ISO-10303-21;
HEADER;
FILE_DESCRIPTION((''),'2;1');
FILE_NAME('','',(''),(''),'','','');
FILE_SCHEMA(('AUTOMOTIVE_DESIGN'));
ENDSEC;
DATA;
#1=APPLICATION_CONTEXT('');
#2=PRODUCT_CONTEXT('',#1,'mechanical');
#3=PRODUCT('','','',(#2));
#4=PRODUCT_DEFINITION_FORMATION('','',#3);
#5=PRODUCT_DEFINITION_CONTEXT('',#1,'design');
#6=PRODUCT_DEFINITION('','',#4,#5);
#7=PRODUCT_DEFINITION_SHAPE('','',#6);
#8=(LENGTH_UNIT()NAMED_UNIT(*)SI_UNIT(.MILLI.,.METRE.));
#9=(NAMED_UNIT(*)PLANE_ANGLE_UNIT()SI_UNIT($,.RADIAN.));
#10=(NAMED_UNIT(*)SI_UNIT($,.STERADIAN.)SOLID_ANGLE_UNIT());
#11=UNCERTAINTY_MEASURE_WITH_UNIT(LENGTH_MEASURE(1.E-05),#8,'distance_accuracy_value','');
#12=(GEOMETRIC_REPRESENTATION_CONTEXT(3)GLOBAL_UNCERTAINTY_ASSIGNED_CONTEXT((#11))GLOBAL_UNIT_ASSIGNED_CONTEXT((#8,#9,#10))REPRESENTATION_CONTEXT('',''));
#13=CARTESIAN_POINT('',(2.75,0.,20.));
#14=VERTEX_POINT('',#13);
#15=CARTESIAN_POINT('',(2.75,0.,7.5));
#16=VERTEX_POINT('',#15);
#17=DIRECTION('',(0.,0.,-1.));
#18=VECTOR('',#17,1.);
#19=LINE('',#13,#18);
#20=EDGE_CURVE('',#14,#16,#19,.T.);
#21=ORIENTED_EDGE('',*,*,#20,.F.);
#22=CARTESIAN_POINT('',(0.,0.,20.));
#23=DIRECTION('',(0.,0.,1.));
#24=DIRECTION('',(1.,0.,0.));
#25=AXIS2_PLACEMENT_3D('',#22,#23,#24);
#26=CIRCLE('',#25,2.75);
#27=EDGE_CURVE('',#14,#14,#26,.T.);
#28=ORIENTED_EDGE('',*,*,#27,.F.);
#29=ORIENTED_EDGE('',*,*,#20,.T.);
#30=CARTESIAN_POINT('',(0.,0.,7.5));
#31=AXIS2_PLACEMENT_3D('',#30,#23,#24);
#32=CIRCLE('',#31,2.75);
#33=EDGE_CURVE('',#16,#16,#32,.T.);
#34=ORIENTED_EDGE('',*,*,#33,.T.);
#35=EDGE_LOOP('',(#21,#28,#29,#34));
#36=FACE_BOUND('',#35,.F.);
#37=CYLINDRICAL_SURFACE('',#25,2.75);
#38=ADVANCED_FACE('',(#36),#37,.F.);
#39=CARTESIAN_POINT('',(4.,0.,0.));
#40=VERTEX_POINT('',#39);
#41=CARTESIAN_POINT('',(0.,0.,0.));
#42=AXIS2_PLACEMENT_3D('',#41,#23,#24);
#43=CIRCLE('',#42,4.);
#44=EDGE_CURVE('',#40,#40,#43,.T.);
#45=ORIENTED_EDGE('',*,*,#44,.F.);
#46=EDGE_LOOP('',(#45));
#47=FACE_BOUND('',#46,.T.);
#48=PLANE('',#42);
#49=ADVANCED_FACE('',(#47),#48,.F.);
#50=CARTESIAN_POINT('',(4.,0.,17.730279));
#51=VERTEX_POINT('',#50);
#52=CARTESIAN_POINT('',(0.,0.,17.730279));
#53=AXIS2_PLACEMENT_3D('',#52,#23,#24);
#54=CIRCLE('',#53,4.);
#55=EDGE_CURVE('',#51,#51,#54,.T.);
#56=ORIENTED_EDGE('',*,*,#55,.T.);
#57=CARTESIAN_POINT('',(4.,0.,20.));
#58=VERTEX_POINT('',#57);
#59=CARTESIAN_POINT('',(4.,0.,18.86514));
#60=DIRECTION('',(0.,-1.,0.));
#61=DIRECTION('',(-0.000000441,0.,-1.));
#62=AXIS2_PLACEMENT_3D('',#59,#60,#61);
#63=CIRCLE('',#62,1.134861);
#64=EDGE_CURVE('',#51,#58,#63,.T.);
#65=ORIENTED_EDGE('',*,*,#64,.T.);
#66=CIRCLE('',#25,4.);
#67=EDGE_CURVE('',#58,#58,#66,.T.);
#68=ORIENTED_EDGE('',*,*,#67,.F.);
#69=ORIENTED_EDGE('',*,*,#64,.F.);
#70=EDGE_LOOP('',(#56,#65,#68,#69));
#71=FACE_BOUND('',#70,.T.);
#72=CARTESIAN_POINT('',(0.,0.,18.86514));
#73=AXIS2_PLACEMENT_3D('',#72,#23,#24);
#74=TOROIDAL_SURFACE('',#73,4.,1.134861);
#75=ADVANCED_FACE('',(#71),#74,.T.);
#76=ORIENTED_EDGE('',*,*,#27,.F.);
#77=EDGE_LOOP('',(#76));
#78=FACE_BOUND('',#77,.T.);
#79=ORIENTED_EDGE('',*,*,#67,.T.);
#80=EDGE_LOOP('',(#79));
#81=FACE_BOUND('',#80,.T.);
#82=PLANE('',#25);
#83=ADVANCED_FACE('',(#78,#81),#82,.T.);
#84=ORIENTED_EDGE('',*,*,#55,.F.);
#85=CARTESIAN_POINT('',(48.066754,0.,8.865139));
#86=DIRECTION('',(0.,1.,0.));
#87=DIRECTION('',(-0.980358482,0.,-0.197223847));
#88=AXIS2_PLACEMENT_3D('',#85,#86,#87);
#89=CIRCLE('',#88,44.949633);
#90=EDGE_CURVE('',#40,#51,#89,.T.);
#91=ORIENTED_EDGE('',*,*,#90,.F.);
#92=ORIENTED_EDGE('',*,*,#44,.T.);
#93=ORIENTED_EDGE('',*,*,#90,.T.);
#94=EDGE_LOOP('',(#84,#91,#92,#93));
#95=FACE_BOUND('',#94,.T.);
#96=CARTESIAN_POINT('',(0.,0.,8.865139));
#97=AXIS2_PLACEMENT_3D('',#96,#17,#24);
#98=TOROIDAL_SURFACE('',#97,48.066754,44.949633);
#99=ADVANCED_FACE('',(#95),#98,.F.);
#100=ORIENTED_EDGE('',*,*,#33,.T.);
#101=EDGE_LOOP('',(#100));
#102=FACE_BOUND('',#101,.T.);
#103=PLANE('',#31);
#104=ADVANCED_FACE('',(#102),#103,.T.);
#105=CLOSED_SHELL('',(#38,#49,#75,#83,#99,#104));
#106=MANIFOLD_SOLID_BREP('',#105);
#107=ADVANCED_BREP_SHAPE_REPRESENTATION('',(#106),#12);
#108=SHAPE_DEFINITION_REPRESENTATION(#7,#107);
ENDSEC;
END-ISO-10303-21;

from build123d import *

# Parameters (mm, degrees)
F2_R     = 2.75
F3_DEPTH = 12.5


with BuildPart() as f1:
    # F0 (on Front) → F1 (revolve)
    with BuildSketch(Plane.XZ):
        with BuildLine():
            Line((0, 20), (0, 0))
            Line((0, 0), (4, 0))
            ThreePointArc((4, 0), (3.117121, 8.865139), (4, 17.730279))
            ThreePointArc((4, 17.730279), (5.134861, 18.865139), (4, 20))
            Line((4, 20), (0, 20))
        make_face()
    revolve(axis=Axis((0, 0, 10), (0, 0, 1)))

    # F2 (on face) → F3 (cut)
    with BuildSketch(Plane.XY.offset(20)):
        Circle(F2_R)
    extrude(amount=-F3_DEPTH, mode=Mode.SUBTRACT)


solid = f1.part
